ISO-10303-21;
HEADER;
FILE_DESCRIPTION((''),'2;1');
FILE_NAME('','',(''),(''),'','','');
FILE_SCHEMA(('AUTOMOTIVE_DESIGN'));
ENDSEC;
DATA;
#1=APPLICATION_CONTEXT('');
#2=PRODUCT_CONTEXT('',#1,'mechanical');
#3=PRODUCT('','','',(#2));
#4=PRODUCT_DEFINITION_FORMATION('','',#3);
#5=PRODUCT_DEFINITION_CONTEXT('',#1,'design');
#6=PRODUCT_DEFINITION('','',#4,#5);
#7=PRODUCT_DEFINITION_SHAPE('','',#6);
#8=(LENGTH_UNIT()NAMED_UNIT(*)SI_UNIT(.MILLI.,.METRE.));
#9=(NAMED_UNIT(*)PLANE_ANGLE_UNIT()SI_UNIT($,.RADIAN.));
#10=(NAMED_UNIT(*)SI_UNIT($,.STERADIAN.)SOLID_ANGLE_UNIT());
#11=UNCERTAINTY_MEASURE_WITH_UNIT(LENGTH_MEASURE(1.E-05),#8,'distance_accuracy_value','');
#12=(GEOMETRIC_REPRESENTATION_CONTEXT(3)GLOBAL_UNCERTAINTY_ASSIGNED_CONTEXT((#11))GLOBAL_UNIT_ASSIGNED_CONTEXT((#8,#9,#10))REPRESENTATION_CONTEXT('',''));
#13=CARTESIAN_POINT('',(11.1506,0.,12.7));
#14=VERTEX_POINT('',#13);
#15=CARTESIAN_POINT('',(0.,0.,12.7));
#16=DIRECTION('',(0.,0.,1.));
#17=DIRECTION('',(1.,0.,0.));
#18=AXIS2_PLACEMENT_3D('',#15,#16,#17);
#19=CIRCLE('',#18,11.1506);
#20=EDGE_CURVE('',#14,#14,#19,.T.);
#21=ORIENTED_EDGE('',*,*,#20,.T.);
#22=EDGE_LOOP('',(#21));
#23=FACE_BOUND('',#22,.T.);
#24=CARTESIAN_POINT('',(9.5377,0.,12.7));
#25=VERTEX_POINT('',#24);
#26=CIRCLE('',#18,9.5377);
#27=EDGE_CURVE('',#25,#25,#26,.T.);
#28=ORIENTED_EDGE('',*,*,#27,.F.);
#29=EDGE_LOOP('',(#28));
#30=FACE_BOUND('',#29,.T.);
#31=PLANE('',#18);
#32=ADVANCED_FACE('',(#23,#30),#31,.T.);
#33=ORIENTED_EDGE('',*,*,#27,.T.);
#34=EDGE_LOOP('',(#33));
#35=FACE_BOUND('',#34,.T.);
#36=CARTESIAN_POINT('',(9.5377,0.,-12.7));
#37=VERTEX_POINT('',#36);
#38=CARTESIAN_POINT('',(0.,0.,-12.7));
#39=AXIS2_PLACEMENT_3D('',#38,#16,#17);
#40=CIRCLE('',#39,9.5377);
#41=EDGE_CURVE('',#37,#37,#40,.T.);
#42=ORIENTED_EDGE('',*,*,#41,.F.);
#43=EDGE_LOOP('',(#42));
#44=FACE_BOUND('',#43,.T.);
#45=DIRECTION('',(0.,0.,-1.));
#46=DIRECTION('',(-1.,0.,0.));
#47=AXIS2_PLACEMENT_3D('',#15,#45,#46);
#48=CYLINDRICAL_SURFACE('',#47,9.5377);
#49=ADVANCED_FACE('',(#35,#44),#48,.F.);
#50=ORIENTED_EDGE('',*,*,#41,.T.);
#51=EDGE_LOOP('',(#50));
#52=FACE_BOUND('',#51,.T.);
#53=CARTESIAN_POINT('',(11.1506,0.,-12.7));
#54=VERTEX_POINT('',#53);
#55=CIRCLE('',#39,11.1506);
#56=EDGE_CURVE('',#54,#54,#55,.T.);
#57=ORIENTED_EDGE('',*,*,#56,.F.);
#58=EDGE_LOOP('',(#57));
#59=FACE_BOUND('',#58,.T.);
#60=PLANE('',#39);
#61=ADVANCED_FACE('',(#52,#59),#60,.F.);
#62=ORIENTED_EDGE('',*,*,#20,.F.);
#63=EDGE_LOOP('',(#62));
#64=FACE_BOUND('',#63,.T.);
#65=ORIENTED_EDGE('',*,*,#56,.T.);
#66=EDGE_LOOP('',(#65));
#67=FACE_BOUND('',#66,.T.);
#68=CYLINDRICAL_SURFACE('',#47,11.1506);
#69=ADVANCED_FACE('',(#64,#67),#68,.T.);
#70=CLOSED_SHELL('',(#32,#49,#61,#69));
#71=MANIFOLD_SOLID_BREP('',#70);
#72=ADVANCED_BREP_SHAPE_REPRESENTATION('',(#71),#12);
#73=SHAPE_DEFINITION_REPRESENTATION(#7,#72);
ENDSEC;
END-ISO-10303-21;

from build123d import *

# Parameters (mm, degrees)
SKETCH1_R           = 11.1506
SKETCH1_R_2         = 9.5377
BOSS_EXTRUDE1_DEPTH = 12.7


with BuildPart() as part:
    # Sketch1 → Boss-Extrude1 (new, symmetric)
    with BuildSketch(Plane.XY):
        Circle(SKETCH1_R)
        Circle(SKETCH1_R_2, mode=Mode.SUBTRACT)
    extrude(amount=BOSS_EXTRUDE1_DEPTH, both=True)


solid = part.part
